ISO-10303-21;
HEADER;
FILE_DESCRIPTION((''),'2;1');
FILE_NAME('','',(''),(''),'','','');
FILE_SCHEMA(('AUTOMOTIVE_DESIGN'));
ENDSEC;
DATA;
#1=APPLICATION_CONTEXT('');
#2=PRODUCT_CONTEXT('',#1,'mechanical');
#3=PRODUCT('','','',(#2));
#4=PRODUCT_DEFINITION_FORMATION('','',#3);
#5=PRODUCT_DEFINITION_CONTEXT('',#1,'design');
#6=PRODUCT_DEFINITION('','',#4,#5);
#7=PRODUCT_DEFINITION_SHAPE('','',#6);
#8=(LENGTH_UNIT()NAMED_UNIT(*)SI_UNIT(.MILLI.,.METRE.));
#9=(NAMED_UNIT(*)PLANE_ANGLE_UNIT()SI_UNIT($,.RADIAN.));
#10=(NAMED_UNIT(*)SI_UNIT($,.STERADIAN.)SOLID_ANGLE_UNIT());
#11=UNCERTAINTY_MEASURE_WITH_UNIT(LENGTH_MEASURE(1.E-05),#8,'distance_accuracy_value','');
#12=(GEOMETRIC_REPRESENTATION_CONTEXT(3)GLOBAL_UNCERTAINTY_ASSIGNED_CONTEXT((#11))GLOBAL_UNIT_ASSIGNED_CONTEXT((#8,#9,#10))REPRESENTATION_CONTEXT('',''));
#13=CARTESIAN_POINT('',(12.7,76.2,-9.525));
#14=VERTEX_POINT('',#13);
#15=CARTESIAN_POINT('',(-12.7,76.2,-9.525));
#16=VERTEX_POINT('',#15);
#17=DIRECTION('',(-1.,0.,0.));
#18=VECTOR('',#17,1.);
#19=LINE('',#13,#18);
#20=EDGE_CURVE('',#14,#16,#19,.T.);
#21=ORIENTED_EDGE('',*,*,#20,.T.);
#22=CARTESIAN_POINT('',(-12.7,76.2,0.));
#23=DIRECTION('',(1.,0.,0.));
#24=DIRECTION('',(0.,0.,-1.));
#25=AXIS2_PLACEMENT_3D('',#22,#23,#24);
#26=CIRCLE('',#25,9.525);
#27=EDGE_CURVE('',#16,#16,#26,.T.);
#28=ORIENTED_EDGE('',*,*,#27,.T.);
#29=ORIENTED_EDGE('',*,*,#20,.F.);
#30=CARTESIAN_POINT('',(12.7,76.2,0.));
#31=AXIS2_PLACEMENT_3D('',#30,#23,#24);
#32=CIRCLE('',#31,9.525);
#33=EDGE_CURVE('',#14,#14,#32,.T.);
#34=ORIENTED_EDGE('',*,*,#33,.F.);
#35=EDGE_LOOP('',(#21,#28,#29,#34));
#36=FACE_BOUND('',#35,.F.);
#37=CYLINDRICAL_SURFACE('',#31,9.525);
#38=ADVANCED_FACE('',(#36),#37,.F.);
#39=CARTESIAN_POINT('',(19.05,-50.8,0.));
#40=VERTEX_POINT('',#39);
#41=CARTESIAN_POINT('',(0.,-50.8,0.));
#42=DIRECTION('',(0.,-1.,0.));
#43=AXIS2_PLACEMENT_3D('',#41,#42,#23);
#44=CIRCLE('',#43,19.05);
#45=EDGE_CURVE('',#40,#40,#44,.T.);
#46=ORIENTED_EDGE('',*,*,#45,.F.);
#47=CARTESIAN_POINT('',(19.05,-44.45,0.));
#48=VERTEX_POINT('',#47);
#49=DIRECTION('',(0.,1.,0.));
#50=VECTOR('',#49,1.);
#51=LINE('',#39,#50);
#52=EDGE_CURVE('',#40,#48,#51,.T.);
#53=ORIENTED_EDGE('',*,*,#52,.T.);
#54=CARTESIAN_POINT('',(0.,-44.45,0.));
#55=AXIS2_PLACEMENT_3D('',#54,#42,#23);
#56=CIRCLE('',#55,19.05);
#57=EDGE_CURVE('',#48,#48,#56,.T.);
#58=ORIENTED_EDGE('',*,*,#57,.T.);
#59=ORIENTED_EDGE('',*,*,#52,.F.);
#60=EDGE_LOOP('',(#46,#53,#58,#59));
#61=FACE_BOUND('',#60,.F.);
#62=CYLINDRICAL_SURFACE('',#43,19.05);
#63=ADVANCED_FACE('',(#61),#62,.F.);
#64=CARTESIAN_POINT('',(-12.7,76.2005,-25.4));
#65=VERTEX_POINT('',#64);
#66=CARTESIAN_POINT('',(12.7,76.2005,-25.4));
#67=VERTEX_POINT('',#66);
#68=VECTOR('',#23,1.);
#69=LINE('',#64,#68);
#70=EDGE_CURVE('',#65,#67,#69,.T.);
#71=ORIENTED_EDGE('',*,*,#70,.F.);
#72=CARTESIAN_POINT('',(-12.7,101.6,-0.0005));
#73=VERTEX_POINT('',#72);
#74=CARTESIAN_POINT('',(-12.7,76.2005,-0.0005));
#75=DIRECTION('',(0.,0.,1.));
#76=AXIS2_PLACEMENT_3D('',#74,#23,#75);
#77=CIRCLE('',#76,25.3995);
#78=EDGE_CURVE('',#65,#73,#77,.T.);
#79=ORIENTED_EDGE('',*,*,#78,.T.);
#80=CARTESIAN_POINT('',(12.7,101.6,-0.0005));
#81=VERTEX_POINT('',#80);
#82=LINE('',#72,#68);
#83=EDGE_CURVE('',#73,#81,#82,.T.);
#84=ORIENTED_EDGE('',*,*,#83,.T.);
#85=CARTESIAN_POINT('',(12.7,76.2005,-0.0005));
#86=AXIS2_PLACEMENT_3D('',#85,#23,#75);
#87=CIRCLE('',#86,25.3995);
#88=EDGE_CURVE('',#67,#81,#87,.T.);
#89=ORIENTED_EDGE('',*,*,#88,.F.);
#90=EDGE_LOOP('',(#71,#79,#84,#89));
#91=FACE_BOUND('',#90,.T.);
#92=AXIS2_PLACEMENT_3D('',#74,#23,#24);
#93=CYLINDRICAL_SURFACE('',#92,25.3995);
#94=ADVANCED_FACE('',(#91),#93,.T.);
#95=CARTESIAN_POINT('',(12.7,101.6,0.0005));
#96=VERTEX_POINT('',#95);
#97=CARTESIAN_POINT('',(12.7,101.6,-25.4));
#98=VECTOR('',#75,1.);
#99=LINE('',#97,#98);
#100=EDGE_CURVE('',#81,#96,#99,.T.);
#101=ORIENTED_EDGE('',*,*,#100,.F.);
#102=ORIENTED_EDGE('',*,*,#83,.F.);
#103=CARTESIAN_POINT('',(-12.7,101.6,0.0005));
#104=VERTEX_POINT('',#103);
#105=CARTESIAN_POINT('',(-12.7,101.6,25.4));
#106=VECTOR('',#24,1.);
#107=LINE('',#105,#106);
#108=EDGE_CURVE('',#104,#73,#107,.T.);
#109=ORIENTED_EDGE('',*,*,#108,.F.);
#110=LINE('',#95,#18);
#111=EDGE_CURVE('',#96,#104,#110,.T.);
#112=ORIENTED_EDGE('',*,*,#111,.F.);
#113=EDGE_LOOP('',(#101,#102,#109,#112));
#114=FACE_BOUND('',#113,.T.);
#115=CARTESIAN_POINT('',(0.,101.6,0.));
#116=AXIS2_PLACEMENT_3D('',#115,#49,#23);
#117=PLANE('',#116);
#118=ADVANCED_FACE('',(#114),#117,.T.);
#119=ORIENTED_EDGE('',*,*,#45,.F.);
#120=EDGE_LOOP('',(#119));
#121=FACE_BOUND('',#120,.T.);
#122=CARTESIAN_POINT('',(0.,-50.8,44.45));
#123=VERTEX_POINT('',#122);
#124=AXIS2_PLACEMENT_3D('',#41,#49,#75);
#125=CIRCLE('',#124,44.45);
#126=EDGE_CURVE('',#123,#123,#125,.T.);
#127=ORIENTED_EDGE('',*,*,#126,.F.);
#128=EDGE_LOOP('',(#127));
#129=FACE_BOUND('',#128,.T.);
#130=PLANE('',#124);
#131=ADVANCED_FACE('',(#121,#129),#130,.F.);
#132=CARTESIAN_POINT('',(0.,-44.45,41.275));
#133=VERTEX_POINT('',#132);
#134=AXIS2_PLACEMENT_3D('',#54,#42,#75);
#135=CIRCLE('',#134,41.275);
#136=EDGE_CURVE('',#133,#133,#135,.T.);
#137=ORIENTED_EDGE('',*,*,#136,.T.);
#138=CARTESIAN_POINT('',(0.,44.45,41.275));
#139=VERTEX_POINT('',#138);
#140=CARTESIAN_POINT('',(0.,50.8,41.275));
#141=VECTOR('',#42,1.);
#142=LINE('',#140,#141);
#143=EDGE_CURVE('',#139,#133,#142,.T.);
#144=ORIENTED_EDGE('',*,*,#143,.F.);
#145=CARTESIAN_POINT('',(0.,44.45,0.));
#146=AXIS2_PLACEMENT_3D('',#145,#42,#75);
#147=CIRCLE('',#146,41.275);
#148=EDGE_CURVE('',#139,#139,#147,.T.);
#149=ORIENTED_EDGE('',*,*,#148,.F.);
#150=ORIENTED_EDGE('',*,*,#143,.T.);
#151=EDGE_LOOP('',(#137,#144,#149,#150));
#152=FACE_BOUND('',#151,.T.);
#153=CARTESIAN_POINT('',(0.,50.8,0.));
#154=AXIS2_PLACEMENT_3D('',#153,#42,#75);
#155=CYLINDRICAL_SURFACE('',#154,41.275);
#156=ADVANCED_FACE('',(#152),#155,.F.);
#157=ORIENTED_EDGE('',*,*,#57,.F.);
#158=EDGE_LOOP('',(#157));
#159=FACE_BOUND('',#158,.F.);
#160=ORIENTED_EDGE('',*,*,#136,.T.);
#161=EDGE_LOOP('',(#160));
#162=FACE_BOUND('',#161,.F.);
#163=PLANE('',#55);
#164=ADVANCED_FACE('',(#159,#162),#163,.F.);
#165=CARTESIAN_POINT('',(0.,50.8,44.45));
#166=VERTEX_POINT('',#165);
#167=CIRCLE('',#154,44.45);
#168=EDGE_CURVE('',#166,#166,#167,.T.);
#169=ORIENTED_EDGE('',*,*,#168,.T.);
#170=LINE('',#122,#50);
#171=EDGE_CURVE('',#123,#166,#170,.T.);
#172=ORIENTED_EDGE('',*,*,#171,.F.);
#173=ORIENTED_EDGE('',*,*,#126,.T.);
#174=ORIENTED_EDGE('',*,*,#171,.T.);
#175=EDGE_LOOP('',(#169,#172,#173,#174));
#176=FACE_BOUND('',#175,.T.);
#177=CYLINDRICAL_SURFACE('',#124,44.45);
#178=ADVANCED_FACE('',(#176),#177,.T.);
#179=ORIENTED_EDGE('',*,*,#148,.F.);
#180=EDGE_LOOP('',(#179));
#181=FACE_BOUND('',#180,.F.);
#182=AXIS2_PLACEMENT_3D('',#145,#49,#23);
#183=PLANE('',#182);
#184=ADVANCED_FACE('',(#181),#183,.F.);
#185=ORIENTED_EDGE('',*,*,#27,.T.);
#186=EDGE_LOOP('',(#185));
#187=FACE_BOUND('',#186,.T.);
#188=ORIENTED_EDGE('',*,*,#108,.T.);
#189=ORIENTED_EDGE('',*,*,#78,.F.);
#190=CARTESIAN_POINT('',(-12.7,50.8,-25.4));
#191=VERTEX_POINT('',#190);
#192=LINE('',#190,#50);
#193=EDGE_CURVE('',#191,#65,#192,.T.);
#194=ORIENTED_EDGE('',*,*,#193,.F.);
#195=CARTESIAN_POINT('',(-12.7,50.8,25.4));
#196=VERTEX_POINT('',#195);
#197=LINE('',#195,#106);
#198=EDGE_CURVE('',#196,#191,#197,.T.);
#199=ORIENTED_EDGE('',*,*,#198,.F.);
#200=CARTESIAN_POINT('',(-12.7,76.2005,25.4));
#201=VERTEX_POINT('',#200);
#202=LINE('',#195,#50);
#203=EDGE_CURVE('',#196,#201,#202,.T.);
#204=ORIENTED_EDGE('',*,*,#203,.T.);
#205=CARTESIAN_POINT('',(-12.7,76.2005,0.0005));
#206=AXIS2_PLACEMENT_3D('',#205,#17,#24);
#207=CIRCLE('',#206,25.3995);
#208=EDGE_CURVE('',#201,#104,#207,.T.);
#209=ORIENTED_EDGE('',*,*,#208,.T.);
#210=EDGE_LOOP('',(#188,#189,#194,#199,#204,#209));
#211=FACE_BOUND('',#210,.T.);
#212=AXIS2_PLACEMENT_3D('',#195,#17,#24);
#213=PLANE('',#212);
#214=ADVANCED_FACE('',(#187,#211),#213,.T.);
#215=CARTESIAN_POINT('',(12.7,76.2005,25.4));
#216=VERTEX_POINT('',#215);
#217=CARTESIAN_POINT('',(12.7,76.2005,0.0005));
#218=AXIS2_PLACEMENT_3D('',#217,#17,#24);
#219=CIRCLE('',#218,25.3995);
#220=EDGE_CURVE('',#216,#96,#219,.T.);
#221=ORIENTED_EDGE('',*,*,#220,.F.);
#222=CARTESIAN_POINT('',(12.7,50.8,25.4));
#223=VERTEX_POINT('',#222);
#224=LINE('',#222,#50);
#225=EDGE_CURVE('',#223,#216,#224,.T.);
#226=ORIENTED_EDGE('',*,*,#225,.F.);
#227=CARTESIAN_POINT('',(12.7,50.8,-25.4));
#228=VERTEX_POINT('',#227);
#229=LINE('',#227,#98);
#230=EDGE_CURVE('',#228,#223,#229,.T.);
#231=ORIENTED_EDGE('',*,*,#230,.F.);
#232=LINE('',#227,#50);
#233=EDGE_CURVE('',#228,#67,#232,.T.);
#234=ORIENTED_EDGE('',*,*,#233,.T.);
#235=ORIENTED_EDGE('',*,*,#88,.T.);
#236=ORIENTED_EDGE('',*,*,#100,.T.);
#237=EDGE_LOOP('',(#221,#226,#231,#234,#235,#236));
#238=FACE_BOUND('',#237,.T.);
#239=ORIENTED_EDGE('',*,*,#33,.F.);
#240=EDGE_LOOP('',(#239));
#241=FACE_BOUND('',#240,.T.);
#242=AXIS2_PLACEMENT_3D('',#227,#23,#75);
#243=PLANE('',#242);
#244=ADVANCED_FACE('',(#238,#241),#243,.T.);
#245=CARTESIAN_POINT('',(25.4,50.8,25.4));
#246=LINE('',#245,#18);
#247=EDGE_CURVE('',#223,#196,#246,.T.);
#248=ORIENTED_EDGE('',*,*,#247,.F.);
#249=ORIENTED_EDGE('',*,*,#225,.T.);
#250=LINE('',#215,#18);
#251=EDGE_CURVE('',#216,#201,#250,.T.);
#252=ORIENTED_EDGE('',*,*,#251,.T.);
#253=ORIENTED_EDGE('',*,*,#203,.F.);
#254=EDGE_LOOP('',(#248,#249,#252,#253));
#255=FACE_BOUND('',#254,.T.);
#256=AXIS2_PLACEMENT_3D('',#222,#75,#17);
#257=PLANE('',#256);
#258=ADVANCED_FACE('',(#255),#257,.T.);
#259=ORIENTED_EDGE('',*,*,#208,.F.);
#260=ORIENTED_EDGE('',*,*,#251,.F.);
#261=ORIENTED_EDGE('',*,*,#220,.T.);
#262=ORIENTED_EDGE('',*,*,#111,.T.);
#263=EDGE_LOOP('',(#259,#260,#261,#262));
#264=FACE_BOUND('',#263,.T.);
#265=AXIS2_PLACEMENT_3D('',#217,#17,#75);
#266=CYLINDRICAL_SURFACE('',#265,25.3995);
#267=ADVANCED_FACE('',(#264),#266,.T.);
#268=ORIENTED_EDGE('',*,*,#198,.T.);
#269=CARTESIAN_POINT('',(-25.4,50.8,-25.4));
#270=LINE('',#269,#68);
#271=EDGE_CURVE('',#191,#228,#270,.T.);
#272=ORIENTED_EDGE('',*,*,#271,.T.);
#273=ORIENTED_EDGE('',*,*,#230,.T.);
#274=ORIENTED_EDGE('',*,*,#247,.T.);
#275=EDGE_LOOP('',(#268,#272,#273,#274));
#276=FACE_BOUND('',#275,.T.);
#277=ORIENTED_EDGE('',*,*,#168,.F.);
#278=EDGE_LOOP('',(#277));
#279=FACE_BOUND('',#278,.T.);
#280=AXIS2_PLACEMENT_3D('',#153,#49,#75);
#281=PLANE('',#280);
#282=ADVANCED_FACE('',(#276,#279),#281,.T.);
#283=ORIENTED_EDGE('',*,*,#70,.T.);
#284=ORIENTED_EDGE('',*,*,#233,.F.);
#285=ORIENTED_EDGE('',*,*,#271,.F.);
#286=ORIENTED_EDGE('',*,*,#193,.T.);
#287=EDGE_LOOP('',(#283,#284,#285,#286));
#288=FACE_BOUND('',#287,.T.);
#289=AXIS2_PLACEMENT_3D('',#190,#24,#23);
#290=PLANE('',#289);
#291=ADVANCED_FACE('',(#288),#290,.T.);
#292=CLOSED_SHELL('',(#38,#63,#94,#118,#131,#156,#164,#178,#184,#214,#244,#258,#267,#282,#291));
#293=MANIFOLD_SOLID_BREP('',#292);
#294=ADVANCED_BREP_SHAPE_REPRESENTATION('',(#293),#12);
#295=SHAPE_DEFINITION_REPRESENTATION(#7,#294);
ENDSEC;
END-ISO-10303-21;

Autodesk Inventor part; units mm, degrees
ref_plane "YZ Plane" through (0, 0, 0) normal (1, 0, 0) x (0, 1, 0)
ref_plane "XZ Plane" through (0, 0, 0) normal (0, 1, 0) x (-1, 0, 0)
ref_plane "XY Plane" through (0, 0, 0) normal (0, 0, 1) x (1, 0, 0)
sketch "Sketch1" plane through (0, 0, 0) normal (1, 0, 0) x (0, 1, 0)
  line L0 (-50.8, 44.45) -> (50.8, 44.45)
  line L1 (50.8, 44.45) -> (50.8, 41.275)
  line L2 (-50.8, 41.275) -> (-50.8, 44.45)
  line L3 (-50.8, 44.45) -> (-47.1714, 41.275) construction
  line L4 (50.8, 41.275) -> (-50.8, 41.275)
  line L5 (50.8, 44.45) -> (47.1714, 41.275) construction
  line L6 (-71.12, 0) -> (71.12, 0) projected
  point P0 (0, 0)
revolve "Revolution1" add sketch "Sketch1" angle 360 about axis through (0, -10, 0) along (0, 1, 0)
sketch "Sketch2" plane through (0, 50.8, 0) normal (0, 1, 0) x (1, 0, 0)
  circle A0 centre (0, 0) radius 44.45
extrude "Extrusion1" add sketch "Sketch2" against normal blind 6.35
sketch "Sketch3" plane through (0, -50.8, 0) normal (0, -1, 0) x (1, 0, 0)
  circle A0 centre (0, 0) radius 44.45
extrude "Extrusion2" add sketch "Sketch3" against normal blind 6.35
sketch "Sketch4" plane through (0, -50.8, 0) normal (0, -1, 0) x (1, 0, 0)
  circle A0 centre (0, 0) radius 44.45 projected
  circle A1 centre (0, 0) radius 19.05
extrude "Extrusion3" cut sketch "Sketch4" against normal blind 12.7 contours A1
sketch "Sketch5" plane through (0, 50.8, 0) normal (0, 1, 0) x (1, 0, 0)
  line L0 (-25.4, 25.4) -> (25.4, 25.4)
  line L1 (25.4, 25.4) -> (25.4, -25.4)
  line L2 (25.4, -25.4) -> (-25.4, -25.4)
  line L3 (-25.4, -25.4) -> (-25.4, 25.4)
  line L4 (-25.4, 25.4) -> (25.4, -25.4) construction
  line L5 (25.4, 25.4) -> (-25.4, -25.4) construction
  line L6 (-12.7, 25.4) -> (12.7, 25.4)
  line L7 (12.7, 25.4) -> (12.7, -25.4)
  line L8 (12.7, -25.4) -> (-12.7, -25.4)
  line L9 (-12.7, -25.4) -> (-12.7, 25.4)
  line L10 (-12.7, 25.4) -> (12.7, -25.4) construction
  line L11 (12.7, 25.4) -> (-12.7, -25.4) construction
  point P0 (0, 0)
  dimension "d9" = 50.8
  dimension "d10" = 50.8
extrude "Extrusion6" add sketch "Sketch5" along normal blind 50.8 contours L0 L7 L2 L9
fillet "Fillet2" radius 25.4 2 edges at (0, 101.6, 25.4) (0, 101.6, -25.4)
sketch "Sketch7" plane through (12.7, 50.8, 25.4) normal (1, 0, 0) x (0, 0, -1)
  arc A0 (50.8, 25.4) -> (0, 25.4) centre (25.4, 25.4) ccw projected
  circle A1 centre (25.4, 25.4) radius 9.525
  point P0 (25.4, -50.8)
  dimension "d20" = 19.05
extrude "Extrusion7" cut sketch "Sketch7" against normal blind 50.8
properties part number "shock absorber top"
